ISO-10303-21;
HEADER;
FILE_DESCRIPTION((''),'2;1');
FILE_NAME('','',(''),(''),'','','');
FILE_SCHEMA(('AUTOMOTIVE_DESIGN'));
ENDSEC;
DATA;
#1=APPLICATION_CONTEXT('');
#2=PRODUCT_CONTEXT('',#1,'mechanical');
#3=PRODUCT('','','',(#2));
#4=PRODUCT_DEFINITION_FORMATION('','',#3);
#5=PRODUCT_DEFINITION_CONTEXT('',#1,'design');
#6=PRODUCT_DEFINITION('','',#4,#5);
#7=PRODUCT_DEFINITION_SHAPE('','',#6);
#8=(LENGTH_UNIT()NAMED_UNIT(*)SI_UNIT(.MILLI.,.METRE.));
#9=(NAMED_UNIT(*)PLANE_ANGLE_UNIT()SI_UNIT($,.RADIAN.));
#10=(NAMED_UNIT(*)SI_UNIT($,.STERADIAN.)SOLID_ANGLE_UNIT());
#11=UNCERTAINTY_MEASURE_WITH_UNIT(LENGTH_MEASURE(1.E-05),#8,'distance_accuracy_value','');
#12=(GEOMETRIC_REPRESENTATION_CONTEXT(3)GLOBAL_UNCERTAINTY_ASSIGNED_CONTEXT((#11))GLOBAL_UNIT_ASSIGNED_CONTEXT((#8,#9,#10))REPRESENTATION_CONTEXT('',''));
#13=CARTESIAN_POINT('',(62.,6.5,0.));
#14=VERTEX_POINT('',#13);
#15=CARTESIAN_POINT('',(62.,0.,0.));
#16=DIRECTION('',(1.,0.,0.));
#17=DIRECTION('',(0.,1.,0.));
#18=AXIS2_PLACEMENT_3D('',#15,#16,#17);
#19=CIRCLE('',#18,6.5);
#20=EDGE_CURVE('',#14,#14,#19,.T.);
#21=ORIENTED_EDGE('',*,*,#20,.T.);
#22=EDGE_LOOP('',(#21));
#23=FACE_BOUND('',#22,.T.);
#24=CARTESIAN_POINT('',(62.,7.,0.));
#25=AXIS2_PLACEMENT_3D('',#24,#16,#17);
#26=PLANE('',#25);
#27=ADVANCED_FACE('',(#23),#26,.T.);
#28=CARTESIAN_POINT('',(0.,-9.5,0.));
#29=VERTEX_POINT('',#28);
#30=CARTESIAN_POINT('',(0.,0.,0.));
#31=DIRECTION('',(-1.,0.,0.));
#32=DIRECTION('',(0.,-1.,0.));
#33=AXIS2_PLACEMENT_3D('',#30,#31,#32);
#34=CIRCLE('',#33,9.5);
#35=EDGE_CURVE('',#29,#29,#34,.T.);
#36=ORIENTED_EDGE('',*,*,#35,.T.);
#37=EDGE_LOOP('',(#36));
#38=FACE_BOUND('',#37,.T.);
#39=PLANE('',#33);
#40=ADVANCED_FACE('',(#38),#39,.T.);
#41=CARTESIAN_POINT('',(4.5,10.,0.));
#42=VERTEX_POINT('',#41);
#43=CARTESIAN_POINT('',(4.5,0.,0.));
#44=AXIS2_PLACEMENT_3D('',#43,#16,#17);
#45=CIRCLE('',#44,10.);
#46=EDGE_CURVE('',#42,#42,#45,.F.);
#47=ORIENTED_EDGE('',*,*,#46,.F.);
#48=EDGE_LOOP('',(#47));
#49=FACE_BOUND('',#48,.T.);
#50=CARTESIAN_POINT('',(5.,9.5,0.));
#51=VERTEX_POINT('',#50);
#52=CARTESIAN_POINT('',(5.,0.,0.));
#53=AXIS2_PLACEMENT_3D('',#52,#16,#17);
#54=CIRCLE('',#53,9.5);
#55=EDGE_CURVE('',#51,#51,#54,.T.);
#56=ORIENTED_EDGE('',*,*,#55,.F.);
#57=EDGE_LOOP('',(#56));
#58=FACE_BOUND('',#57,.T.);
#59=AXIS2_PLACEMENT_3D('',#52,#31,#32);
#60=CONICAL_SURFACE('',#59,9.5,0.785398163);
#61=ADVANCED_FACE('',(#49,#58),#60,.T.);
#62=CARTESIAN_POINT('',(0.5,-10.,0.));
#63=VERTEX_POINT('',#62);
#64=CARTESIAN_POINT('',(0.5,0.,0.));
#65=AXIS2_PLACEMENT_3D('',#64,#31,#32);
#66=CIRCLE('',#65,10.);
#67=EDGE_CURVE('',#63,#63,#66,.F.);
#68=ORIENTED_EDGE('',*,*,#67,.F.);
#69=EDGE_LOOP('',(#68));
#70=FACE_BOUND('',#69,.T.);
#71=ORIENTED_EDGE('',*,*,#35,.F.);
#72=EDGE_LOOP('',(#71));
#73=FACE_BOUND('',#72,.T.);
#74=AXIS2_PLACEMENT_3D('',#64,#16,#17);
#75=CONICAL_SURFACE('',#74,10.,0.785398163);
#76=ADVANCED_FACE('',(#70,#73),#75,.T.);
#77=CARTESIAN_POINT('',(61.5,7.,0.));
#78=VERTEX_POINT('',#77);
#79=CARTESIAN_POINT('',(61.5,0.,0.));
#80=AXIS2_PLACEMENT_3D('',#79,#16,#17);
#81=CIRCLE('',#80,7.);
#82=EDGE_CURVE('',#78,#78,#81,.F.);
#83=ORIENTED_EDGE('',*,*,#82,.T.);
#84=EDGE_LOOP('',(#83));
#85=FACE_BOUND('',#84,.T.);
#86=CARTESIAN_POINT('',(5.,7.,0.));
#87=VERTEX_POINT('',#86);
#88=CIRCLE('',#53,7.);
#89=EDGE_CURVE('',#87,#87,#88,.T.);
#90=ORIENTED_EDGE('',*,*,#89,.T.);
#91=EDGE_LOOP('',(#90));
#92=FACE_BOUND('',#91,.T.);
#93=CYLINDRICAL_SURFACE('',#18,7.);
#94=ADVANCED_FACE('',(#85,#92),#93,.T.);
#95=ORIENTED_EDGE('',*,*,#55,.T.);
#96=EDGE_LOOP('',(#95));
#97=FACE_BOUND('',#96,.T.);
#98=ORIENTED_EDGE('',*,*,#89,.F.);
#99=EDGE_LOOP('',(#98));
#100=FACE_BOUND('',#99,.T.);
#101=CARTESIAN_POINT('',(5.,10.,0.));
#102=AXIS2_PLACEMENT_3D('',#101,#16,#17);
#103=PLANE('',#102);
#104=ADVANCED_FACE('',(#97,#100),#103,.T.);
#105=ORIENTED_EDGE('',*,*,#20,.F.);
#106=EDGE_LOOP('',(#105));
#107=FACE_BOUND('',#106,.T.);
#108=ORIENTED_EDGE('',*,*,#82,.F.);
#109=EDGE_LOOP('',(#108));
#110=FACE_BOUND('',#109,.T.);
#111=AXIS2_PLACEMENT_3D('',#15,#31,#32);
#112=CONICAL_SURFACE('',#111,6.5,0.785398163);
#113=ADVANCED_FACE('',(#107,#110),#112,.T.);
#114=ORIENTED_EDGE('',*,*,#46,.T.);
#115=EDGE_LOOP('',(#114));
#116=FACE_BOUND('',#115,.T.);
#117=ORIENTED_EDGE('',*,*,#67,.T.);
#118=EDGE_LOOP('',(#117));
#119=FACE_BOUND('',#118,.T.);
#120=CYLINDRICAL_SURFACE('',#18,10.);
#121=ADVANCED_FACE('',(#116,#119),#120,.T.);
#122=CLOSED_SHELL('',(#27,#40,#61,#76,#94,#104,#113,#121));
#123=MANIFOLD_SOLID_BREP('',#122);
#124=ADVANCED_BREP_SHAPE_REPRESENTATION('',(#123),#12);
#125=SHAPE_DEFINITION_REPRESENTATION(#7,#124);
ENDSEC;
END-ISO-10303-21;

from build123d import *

# Parameters (mm, degrees)
SFAZOWANIE1_SIZE = 0.5


with BuildPart() as part:
    # Szkic1 → Obrót1 (revolve)
    with BuildSketch(Plane.XY):
        Polygon((0, 0), (0, 10), (5, 10), (5, 7), (62, 7), (62, 0), align=None)
    revolve(axis=Axis((62, 0, 0), (-1, 0, 0)))

    # Sfazowanie1
    sfazowanie1_edges = [part.edges().sort_by_distance(p)[0] for p in [
        (62, -7, 0),
        (5, -10, 0),
        (0, -10, 0),
    ]]
    chamfer(sfazowanie1_edges, length=SFAZOWANIE1_SIZE)


solid = part.part
